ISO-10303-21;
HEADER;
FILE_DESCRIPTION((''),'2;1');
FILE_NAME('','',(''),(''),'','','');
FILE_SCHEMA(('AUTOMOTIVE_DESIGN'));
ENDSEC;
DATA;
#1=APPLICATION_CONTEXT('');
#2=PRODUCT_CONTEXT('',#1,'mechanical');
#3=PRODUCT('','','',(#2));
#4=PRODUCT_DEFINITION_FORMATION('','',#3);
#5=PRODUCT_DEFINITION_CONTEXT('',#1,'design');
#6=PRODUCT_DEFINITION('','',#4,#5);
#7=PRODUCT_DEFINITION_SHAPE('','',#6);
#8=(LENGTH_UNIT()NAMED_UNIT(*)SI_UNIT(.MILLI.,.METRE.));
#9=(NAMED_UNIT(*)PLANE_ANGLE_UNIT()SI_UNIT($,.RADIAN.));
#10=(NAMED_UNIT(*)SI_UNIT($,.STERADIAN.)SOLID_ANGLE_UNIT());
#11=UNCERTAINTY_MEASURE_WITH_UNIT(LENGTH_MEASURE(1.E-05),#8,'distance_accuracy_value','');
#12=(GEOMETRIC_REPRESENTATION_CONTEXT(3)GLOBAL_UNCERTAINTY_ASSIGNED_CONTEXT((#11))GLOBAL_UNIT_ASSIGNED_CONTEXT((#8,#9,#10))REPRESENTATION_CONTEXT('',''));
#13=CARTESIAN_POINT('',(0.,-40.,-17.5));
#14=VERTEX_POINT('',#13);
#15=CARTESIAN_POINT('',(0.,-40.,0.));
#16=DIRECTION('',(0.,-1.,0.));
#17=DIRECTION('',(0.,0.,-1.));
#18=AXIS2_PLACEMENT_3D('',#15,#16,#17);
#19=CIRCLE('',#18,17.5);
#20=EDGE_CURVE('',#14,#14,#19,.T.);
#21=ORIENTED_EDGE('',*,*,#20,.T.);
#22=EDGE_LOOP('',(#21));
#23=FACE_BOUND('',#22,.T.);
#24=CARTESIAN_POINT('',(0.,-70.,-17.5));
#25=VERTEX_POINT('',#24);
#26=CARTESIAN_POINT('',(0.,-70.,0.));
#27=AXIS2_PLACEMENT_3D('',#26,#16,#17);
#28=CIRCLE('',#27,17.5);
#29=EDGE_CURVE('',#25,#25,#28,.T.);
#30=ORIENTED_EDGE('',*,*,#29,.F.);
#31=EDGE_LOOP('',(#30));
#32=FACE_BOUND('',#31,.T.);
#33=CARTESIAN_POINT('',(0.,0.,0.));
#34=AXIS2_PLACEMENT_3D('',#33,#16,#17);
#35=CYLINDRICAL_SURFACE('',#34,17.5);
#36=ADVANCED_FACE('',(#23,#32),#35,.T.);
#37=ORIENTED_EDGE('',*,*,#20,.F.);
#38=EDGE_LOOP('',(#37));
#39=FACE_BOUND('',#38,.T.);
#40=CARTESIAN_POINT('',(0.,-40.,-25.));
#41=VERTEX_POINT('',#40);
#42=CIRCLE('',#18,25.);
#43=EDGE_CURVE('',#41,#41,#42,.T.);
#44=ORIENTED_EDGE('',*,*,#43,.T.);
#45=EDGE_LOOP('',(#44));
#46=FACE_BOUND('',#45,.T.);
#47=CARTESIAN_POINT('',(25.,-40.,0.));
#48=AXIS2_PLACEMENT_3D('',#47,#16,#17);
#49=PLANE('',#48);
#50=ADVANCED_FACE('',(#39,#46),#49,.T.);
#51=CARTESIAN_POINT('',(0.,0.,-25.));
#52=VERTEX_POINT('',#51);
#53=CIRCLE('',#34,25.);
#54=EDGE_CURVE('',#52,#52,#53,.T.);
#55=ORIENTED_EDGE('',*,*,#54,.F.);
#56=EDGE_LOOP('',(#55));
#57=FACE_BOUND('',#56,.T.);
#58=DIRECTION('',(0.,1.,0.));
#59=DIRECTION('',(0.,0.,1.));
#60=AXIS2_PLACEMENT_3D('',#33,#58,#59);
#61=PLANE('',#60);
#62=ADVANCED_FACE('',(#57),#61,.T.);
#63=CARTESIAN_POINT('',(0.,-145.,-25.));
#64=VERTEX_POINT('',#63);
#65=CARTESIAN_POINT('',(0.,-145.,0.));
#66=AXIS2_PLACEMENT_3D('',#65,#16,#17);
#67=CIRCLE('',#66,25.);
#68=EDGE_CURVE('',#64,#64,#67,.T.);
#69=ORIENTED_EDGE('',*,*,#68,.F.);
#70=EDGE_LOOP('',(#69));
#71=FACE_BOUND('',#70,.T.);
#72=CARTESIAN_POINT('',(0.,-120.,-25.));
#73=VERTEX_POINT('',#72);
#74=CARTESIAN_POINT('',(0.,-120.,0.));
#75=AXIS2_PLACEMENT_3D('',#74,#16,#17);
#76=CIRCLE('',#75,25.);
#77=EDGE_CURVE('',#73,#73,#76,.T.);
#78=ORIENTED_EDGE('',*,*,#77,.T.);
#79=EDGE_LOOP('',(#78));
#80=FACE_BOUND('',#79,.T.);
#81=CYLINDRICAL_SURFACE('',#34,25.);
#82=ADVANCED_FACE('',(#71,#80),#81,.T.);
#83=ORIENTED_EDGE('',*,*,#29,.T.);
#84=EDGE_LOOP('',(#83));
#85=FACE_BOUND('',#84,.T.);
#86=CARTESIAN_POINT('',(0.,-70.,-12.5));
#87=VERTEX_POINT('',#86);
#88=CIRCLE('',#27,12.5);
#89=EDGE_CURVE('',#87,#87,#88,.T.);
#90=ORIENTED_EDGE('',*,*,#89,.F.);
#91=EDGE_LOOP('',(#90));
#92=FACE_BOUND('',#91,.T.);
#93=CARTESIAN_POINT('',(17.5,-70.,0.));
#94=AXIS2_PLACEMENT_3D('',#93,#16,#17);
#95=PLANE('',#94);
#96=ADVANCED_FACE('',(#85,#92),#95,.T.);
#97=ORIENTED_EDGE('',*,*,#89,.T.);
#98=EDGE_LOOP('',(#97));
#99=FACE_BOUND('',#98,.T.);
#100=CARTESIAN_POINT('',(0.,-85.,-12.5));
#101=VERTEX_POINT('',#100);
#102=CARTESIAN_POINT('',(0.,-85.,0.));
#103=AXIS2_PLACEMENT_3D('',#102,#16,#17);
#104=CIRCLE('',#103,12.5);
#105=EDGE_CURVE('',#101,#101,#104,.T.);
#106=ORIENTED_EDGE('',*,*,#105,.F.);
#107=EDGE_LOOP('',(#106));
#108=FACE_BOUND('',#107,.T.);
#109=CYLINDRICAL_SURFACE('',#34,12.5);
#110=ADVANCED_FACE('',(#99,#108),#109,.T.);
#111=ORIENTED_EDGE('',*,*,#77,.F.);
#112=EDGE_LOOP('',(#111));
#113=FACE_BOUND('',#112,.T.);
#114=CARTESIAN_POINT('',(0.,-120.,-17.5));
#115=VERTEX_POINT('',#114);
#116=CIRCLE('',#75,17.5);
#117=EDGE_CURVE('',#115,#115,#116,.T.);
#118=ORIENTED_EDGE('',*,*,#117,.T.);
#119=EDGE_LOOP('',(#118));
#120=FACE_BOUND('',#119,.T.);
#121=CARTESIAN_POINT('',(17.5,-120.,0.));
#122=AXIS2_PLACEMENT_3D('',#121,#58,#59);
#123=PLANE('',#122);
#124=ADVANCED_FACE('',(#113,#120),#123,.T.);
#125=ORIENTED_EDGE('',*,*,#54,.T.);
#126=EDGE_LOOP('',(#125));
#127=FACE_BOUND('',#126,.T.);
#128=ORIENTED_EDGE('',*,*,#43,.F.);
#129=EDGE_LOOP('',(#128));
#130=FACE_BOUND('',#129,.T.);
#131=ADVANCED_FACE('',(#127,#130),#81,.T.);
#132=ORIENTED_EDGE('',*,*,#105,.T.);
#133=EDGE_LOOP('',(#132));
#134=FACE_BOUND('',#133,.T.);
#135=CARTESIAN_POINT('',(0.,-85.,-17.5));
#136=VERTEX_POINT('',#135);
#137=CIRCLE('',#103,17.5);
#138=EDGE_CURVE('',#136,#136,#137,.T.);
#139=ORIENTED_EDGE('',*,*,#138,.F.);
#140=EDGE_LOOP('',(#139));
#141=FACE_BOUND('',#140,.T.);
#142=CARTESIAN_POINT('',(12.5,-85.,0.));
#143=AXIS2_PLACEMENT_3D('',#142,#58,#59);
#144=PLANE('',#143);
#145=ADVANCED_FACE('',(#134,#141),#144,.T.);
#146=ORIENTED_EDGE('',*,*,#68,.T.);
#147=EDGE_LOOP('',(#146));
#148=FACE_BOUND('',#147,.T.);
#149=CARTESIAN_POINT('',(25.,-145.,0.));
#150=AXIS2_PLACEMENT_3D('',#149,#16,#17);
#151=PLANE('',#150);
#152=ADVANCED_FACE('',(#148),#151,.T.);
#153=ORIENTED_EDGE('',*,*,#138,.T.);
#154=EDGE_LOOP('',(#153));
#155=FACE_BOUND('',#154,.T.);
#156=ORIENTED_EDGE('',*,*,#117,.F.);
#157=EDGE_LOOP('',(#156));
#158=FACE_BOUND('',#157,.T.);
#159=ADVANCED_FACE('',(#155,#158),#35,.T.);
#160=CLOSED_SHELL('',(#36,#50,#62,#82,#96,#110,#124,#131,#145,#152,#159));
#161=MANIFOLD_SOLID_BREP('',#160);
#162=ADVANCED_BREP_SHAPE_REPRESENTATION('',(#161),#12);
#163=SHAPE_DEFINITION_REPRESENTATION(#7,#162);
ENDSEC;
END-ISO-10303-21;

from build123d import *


with BuildPart() as part:
    # Croquis1 → Revolución1 (revolve)
    with BuildSketch(Plane.XY, mode=Mode.PRIVATE) as revoluci_n1_sk:
        Polygon((0, 0), (25, 0), (25, -40), (17.5, -40), (17.5, -70), (12.5, -70), (12.5, -85), (17.5, -85), (17.5, -120), (25, -120), (25, -145), (0, -145), align=None)
    revolve(revoluci_n1_sk.sketch.rotate(Axis((0, 0, 0), (0, 1, 0)), 90), axis=Axis((0, 0, 0), (0, 1, 0)))


solid = part.part
